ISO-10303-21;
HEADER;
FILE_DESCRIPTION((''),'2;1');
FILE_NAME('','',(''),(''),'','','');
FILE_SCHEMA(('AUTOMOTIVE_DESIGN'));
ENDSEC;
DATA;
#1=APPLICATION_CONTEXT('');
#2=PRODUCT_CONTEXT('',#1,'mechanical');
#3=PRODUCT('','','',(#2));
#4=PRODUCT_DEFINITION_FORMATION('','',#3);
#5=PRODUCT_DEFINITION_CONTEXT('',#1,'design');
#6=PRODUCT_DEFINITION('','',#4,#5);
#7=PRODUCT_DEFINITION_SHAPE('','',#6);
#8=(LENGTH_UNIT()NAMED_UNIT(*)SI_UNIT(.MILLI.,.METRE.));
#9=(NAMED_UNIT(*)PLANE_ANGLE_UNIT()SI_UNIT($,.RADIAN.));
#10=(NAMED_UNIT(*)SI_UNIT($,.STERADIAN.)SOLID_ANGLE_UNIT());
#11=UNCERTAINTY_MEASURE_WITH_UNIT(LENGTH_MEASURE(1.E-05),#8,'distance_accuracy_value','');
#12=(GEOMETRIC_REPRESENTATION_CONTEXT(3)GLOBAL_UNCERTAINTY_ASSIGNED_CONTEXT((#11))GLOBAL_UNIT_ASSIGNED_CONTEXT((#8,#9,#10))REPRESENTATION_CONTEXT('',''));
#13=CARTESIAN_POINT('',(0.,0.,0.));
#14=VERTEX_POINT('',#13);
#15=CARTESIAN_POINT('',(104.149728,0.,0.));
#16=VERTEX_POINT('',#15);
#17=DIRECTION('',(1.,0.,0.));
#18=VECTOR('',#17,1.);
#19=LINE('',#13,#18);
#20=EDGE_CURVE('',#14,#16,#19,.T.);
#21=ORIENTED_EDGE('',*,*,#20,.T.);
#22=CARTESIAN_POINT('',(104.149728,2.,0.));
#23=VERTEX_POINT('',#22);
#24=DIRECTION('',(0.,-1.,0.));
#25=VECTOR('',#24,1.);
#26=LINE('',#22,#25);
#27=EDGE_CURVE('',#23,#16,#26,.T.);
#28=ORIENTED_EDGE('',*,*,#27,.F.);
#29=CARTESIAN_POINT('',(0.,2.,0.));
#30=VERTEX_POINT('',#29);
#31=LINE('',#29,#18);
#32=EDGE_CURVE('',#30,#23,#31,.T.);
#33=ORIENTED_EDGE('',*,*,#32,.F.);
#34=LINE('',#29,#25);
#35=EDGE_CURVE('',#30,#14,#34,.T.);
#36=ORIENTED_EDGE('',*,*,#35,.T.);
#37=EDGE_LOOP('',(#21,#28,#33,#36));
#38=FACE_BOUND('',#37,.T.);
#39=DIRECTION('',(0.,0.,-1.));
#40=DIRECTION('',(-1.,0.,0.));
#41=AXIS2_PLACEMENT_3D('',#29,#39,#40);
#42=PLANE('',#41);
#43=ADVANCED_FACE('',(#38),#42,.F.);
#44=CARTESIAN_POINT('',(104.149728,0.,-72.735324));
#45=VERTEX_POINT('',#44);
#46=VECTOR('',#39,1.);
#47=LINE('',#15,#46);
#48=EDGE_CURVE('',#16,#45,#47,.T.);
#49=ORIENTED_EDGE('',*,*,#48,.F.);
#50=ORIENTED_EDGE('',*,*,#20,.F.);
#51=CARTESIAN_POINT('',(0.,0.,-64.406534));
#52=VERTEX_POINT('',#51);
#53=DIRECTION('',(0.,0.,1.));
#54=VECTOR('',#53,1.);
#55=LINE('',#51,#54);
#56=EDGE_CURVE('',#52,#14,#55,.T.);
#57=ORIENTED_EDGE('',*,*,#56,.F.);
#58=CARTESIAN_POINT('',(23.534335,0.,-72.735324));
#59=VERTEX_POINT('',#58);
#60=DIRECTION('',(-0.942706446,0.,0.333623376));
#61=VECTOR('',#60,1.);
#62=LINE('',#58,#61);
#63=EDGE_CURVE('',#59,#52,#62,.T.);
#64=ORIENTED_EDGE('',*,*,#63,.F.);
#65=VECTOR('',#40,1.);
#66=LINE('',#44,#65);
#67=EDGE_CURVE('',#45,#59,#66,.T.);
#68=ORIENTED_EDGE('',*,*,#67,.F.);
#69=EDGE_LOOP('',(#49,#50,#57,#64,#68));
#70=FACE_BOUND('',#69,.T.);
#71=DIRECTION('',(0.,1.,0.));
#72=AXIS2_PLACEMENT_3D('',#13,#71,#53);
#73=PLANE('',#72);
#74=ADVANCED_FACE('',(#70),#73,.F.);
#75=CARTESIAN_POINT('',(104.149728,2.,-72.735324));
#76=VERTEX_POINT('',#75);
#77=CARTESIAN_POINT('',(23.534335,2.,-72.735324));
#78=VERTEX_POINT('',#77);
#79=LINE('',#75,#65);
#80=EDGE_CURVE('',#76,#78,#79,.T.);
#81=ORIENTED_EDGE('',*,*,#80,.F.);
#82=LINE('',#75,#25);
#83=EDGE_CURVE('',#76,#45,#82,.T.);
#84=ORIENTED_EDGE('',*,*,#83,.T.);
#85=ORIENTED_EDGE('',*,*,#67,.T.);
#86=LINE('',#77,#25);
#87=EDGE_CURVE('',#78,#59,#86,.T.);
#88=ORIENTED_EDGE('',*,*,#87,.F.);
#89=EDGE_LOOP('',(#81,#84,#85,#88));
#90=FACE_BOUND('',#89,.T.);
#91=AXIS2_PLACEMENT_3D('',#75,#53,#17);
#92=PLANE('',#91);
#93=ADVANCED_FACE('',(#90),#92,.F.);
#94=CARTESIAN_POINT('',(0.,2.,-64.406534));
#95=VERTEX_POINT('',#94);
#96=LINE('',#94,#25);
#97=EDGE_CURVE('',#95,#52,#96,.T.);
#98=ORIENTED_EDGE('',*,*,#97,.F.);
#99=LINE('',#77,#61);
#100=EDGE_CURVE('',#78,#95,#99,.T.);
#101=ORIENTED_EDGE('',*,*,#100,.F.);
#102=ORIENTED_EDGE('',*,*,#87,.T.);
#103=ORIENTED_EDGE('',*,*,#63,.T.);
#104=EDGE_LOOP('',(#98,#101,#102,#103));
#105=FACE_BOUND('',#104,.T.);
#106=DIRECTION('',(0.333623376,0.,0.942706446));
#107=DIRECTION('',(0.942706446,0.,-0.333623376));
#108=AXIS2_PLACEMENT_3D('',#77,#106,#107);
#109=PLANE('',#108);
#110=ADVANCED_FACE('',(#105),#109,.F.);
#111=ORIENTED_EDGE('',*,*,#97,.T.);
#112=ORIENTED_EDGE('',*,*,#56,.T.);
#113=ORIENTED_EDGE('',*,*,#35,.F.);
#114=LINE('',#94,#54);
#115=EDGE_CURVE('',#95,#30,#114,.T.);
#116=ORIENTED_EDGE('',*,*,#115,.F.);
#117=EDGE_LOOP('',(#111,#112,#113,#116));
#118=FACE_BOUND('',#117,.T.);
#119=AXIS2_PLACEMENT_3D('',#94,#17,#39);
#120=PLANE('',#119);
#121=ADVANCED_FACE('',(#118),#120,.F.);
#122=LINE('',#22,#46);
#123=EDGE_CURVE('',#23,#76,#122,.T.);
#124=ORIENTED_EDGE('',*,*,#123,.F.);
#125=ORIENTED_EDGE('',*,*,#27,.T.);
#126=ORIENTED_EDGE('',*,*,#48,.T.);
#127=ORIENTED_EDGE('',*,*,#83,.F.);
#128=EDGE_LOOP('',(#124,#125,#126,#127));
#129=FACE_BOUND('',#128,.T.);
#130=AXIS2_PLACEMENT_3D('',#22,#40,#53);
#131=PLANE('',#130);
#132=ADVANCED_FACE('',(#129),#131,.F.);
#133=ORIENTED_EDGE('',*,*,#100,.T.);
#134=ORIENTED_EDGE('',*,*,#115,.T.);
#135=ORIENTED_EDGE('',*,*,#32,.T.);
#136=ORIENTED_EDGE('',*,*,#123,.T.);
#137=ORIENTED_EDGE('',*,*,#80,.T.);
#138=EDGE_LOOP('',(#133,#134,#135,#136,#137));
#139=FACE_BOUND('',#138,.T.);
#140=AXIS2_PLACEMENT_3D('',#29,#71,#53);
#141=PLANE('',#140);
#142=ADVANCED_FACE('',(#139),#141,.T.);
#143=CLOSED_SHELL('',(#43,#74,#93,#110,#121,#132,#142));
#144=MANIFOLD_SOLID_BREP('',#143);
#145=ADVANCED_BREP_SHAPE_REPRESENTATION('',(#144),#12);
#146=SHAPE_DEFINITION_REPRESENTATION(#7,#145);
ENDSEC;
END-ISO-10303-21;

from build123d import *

# Parameters (mm, degrees)
BOSS_EXTRU_1_DEPTH = 2


with BuildPart() as part:
    # Esquisse1 → Boss.-Extru.1 (new body)
    with BuildSketch(Plane(origin=(0, 0, 0), x_dir=(1, 0, 0), z_dir=(0, 1, 0))):
        Polygon((0, 0), (104.149727965, 0), (104.149727965, 72.735324071), (23.534335447, 72.735324071), (0, 64.406533629), align=None)
    extrude(amount=BOSS_EXTRU_1_DEPTH)


solid = part.part
